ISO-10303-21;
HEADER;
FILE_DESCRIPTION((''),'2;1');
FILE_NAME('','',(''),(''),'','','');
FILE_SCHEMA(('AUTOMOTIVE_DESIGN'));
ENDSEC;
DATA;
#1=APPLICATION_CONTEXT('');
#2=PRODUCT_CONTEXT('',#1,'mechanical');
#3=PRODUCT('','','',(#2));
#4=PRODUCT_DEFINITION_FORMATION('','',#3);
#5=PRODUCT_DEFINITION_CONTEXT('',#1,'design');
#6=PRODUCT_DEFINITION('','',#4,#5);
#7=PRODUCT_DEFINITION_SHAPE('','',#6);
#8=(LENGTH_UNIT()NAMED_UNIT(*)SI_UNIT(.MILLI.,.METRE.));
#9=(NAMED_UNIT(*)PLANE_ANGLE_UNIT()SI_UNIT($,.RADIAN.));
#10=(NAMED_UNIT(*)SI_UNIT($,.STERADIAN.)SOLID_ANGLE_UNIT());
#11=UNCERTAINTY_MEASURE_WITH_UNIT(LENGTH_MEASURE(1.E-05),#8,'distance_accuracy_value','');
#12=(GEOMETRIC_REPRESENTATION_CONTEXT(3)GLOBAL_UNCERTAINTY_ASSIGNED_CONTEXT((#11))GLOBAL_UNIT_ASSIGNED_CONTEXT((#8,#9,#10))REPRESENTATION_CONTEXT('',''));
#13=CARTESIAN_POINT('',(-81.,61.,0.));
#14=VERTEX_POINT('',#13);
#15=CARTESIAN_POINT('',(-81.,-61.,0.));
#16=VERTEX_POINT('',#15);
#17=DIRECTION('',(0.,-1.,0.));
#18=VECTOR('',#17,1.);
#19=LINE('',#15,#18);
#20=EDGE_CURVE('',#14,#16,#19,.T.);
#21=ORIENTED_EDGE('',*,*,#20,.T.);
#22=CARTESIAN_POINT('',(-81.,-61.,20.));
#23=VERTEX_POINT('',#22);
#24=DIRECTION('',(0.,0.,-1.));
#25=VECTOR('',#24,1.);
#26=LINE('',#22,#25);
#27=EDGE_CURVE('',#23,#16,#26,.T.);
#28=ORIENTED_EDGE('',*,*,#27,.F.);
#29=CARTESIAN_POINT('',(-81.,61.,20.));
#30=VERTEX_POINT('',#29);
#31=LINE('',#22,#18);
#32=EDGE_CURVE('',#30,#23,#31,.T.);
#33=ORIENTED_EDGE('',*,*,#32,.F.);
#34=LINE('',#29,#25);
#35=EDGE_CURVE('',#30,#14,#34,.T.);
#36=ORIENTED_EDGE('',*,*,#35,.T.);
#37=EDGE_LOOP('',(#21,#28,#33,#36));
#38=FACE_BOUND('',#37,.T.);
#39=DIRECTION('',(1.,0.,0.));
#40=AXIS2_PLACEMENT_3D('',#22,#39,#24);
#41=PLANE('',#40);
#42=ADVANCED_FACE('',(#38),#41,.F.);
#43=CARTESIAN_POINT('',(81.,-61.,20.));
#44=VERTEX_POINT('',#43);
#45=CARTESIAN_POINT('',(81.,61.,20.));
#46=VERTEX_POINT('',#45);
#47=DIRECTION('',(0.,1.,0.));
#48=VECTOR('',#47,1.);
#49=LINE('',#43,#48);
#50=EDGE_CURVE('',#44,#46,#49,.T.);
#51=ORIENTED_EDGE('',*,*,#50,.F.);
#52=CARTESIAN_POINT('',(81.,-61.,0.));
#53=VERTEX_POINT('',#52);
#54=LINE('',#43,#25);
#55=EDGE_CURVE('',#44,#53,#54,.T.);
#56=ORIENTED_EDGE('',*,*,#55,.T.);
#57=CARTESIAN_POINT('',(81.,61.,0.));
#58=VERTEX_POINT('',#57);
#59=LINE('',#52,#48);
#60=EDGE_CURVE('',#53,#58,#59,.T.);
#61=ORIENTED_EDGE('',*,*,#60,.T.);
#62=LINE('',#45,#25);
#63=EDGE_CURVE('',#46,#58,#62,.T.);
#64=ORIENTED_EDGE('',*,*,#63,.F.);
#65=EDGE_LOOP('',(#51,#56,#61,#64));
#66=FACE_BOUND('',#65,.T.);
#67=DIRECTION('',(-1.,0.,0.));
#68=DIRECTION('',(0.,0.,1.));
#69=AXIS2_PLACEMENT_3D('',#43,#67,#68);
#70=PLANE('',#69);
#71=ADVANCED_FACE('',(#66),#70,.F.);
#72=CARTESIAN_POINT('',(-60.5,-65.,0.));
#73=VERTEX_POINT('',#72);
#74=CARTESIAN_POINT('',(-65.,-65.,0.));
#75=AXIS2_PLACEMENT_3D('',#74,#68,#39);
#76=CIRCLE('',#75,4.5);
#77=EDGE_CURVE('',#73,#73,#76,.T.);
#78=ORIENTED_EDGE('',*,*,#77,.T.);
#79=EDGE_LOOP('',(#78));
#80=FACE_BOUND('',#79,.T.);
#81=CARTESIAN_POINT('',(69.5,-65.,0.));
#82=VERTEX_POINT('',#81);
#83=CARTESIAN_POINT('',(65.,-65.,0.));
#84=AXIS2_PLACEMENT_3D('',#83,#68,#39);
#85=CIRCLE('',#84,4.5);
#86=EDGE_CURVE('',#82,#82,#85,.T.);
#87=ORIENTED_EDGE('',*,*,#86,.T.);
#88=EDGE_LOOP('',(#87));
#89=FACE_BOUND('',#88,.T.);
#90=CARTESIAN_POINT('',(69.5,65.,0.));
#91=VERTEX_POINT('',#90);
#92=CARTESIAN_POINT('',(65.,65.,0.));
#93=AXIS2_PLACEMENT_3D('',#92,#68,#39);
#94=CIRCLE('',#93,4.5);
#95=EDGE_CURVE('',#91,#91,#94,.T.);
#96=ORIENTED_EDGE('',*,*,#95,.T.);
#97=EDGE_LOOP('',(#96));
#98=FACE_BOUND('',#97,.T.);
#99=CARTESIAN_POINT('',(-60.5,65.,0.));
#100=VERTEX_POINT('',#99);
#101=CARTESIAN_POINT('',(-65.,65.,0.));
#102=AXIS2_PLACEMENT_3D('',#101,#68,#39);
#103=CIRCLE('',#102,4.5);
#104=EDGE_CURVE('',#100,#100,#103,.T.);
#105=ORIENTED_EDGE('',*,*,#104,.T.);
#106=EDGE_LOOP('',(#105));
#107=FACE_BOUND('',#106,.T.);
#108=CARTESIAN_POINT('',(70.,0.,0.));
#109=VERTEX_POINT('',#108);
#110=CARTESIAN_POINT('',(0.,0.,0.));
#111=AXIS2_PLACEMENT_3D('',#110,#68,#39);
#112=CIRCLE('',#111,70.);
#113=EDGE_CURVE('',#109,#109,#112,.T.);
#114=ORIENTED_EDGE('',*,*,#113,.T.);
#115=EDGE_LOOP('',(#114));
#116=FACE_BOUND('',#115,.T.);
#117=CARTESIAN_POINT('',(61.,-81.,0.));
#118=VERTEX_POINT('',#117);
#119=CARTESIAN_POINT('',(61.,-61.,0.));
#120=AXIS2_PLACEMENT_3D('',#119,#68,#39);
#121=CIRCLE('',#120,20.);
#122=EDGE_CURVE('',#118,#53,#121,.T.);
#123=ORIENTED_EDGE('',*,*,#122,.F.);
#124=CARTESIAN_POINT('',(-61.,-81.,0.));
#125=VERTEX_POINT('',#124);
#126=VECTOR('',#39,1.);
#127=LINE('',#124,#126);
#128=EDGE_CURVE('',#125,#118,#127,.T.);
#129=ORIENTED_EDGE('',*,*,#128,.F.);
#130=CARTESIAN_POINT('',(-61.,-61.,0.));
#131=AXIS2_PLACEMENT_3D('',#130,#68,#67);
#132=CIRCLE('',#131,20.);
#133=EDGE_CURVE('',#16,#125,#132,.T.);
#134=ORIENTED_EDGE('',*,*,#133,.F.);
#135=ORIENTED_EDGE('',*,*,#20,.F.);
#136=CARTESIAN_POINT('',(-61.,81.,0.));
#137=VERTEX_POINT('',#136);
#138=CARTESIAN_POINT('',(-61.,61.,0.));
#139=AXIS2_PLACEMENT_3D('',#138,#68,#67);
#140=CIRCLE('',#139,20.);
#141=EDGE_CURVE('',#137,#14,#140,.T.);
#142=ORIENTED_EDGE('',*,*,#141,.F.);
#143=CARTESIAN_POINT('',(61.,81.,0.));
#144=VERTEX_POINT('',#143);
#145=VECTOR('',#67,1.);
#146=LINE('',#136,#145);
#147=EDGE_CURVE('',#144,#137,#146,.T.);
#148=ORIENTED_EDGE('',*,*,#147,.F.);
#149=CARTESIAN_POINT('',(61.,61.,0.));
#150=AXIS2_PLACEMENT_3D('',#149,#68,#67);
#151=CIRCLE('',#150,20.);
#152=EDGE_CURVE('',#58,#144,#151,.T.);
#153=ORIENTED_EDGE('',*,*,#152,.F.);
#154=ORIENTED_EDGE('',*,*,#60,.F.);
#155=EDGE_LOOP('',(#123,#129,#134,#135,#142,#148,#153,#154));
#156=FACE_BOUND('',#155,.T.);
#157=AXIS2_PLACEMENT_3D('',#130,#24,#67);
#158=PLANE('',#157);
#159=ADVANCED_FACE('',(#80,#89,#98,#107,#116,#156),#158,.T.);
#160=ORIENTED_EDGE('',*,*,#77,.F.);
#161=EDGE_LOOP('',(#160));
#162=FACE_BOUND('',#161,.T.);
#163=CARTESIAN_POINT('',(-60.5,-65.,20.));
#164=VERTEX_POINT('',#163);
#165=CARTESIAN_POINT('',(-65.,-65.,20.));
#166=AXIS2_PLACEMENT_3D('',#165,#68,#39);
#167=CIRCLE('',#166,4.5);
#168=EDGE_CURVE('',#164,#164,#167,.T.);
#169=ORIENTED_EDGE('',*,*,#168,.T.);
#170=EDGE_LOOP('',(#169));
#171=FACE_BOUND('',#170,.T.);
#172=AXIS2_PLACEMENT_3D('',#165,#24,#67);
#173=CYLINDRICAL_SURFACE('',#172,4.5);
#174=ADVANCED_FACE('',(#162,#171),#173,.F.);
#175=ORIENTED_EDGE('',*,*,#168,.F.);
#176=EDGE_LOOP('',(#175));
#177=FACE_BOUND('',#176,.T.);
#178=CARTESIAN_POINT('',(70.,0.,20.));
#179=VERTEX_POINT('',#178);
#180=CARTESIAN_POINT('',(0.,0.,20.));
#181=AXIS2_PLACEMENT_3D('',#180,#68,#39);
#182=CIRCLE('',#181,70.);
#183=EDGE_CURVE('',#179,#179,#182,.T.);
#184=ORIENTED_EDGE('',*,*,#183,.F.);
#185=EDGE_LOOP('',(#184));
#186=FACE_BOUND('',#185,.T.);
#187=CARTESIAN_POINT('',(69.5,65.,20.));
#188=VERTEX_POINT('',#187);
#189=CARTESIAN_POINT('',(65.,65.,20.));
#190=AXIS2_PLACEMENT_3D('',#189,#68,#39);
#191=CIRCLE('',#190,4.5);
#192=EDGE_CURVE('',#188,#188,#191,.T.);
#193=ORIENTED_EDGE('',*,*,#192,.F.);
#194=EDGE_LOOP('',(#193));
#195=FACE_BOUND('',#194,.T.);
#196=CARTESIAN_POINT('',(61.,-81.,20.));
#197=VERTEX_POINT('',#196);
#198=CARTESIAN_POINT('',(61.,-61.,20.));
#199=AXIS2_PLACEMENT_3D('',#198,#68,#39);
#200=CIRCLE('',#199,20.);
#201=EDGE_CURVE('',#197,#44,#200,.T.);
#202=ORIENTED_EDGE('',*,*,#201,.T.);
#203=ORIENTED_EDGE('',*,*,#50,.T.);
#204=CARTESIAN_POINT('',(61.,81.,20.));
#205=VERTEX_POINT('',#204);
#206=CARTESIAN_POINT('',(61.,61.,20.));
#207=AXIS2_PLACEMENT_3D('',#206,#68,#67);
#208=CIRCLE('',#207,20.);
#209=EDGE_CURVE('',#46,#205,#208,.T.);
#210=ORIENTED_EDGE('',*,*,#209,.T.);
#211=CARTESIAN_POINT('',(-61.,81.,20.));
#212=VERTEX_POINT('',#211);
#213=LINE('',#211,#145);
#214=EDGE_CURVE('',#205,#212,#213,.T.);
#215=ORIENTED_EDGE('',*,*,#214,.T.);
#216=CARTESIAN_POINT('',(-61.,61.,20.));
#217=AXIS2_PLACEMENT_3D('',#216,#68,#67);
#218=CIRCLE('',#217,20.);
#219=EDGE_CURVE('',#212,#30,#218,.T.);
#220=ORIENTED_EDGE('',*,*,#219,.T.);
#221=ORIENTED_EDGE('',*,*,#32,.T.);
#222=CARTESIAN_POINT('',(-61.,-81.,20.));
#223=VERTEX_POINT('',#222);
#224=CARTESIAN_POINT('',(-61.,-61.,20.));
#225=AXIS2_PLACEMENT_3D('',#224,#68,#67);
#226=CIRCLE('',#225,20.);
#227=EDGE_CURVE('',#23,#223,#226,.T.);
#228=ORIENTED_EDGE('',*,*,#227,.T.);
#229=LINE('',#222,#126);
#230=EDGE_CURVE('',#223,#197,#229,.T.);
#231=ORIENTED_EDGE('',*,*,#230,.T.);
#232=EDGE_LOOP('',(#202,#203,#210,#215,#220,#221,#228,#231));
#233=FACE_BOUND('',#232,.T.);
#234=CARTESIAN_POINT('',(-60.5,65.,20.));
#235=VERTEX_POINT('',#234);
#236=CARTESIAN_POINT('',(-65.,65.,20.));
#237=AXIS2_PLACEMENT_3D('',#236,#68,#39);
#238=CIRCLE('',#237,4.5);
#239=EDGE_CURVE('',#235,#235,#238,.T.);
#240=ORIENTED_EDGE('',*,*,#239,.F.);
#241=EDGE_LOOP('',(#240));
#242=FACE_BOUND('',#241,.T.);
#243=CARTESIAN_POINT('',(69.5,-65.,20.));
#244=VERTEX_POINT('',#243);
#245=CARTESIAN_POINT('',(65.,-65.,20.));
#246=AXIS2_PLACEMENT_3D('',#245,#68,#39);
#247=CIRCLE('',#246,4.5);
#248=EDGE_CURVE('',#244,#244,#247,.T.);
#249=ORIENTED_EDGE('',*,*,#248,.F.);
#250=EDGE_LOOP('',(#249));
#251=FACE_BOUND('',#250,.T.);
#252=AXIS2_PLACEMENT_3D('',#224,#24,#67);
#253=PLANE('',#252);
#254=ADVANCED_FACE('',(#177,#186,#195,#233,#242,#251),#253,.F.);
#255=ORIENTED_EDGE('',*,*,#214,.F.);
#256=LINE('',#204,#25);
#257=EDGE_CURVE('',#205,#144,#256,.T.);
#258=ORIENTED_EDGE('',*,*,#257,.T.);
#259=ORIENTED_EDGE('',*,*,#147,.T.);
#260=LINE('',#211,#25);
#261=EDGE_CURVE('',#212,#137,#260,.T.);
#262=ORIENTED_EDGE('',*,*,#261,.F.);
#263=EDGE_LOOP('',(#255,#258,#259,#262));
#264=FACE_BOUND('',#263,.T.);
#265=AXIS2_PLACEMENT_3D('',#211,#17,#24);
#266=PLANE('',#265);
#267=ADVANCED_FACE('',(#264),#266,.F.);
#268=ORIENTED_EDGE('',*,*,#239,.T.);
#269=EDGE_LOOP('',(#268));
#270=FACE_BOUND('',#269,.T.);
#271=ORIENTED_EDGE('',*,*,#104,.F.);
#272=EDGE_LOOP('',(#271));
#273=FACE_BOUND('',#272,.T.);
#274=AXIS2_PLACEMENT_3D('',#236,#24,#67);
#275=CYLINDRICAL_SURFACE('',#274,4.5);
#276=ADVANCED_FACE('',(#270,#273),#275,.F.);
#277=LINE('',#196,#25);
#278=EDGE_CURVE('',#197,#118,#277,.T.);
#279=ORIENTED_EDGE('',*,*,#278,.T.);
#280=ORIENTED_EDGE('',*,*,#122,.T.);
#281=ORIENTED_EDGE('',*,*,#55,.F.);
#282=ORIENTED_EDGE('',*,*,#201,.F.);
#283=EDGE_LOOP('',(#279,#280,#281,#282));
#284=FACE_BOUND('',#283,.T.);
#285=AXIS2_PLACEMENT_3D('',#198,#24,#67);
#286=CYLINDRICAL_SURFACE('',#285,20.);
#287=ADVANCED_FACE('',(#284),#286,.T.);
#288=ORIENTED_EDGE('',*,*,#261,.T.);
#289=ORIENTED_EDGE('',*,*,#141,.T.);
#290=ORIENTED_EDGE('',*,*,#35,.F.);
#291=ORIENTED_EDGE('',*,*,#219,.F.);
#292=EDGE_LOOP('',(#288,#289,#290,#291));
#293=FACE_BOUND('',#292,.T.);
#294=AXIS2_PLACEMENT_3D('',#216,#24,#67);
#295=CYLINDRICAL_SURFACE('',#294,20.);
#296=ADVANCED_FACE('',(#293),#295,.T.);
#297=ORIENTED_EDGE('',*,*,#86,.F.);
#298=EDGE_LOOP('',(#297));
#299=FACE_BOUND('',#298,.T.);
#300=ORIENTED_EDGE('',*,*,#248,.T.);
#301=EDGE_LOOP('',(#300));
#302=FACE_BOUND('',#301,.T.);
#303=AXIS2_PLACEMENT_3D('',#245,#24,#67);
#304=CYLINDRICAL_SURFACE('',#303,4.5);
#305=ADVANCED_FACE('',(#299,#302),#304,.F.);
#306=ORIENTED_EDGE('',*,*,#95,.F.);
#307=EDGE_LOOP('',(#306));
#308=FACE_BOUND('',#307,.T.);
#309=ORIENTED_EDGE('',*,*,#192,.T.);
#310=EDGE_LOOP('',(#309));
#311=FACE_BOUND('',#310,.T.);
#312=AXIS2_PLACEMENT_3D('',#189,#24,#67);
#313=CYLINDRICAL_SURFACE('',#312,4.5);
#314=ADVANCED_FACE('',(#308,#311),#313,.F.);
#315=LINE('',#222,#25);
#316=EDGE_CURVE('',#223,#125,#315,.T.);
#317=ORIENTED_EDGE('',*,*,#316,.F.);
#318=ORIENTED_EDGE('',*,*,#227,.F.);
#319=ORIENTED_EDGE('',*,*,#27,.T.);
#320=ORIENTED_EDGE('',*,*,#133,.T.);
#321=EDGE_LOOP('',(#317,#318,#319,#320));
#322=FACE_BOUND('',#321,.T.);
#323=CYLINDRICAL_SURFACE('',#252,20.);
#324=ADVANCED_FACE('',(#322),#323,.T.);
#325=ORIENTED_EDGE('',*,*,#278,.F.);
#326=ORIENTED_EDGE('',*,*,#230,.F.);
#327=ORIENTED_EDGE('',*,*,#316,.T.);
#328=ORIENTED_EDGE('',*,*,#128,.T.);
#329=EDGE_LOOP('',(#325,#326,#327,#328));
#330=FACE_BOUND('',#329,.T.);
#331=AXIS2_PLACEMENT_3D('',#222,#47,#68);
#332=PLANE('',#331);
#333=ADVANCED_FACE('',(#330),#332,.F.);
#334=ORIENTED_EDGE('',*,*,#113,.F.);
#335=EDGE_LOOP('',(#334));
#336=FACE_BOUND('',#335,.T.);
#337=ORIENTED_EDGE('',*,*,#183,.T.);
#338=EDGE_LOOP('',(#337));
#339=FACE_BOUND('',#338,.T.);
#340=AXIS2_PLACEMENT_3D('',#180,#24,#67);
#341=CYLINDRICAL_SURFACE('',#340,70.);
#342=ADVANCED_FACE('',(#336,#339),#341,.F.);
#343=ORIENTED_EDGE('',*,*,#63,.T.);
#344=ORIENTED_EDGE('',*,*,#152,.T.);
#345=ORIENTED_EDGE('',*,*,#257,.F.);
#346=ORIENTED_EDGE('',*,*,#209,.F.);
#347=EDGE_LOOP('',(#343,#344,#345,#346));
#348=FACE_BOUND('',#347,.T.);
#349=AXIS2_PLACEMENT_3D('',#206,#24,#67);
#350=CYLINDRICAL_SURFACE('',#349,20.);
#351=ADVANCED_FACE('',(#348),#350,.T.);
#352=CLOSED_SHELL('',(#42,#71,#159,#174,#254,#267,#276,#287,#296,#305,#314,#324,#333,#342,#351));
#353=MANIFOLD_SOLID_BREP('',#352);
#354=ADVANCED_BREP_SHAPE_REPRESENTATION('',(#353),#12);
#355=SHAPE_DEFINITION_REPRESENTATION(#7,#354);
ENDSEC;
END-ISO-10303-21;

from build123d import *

# Parameters (mm, degrees)
SKETCH1_R           = 4.5
SKETCH1_R_2         = 70
BOSS_EXTRUDE1_DEPTH = 20


with BuildPart() as part:
    # Sketch1 → Boss-Extrude1 (new body)
    with BuildSketch(Plane.XY):
        with BuildLine():
            Line((-61, -81), (61, -81))
            ThreePointArc((61, -81), (75.142135624, -75.142135624), (81, -61))
            Line((81, -61), (81, 61))
            ThreePointArc((81, 61), (75.142135624, 75.142135624), (61, 81))
            Line((61, 81), (-61, 81))
            ThreePointArc((-61, 81), (-75.142135624, 75.142135624), (-81, 61))
            Line((-81, 61), (-81, -61))
            ThreePointArc((-81, -61), (-75.142135624, -75.142135624), (-61, -81))
        make_face()
        with Locations((-65, 65)):
            Circle(SKETCH1_R, mode=Mode.SUBTRACT)
        with Locations((65, 65)):
            Circle(SKETCH1_R, mode=Mode.SUBTRACT)
        with Locations((65, -65)):
            Circle(SKETCH1_R, mode=Mode.SUBTRACT)
        with Locations((-65, -65)):
            Circle(SKETCH1_R, mode=Mode.SUBTRACT)
        Circle(SKETCH1_R_2, mode=Mode.SUBTRACT)
    extrude(amount=BOSS_EXTRUDE1_DEPTH)


solid = part.part
